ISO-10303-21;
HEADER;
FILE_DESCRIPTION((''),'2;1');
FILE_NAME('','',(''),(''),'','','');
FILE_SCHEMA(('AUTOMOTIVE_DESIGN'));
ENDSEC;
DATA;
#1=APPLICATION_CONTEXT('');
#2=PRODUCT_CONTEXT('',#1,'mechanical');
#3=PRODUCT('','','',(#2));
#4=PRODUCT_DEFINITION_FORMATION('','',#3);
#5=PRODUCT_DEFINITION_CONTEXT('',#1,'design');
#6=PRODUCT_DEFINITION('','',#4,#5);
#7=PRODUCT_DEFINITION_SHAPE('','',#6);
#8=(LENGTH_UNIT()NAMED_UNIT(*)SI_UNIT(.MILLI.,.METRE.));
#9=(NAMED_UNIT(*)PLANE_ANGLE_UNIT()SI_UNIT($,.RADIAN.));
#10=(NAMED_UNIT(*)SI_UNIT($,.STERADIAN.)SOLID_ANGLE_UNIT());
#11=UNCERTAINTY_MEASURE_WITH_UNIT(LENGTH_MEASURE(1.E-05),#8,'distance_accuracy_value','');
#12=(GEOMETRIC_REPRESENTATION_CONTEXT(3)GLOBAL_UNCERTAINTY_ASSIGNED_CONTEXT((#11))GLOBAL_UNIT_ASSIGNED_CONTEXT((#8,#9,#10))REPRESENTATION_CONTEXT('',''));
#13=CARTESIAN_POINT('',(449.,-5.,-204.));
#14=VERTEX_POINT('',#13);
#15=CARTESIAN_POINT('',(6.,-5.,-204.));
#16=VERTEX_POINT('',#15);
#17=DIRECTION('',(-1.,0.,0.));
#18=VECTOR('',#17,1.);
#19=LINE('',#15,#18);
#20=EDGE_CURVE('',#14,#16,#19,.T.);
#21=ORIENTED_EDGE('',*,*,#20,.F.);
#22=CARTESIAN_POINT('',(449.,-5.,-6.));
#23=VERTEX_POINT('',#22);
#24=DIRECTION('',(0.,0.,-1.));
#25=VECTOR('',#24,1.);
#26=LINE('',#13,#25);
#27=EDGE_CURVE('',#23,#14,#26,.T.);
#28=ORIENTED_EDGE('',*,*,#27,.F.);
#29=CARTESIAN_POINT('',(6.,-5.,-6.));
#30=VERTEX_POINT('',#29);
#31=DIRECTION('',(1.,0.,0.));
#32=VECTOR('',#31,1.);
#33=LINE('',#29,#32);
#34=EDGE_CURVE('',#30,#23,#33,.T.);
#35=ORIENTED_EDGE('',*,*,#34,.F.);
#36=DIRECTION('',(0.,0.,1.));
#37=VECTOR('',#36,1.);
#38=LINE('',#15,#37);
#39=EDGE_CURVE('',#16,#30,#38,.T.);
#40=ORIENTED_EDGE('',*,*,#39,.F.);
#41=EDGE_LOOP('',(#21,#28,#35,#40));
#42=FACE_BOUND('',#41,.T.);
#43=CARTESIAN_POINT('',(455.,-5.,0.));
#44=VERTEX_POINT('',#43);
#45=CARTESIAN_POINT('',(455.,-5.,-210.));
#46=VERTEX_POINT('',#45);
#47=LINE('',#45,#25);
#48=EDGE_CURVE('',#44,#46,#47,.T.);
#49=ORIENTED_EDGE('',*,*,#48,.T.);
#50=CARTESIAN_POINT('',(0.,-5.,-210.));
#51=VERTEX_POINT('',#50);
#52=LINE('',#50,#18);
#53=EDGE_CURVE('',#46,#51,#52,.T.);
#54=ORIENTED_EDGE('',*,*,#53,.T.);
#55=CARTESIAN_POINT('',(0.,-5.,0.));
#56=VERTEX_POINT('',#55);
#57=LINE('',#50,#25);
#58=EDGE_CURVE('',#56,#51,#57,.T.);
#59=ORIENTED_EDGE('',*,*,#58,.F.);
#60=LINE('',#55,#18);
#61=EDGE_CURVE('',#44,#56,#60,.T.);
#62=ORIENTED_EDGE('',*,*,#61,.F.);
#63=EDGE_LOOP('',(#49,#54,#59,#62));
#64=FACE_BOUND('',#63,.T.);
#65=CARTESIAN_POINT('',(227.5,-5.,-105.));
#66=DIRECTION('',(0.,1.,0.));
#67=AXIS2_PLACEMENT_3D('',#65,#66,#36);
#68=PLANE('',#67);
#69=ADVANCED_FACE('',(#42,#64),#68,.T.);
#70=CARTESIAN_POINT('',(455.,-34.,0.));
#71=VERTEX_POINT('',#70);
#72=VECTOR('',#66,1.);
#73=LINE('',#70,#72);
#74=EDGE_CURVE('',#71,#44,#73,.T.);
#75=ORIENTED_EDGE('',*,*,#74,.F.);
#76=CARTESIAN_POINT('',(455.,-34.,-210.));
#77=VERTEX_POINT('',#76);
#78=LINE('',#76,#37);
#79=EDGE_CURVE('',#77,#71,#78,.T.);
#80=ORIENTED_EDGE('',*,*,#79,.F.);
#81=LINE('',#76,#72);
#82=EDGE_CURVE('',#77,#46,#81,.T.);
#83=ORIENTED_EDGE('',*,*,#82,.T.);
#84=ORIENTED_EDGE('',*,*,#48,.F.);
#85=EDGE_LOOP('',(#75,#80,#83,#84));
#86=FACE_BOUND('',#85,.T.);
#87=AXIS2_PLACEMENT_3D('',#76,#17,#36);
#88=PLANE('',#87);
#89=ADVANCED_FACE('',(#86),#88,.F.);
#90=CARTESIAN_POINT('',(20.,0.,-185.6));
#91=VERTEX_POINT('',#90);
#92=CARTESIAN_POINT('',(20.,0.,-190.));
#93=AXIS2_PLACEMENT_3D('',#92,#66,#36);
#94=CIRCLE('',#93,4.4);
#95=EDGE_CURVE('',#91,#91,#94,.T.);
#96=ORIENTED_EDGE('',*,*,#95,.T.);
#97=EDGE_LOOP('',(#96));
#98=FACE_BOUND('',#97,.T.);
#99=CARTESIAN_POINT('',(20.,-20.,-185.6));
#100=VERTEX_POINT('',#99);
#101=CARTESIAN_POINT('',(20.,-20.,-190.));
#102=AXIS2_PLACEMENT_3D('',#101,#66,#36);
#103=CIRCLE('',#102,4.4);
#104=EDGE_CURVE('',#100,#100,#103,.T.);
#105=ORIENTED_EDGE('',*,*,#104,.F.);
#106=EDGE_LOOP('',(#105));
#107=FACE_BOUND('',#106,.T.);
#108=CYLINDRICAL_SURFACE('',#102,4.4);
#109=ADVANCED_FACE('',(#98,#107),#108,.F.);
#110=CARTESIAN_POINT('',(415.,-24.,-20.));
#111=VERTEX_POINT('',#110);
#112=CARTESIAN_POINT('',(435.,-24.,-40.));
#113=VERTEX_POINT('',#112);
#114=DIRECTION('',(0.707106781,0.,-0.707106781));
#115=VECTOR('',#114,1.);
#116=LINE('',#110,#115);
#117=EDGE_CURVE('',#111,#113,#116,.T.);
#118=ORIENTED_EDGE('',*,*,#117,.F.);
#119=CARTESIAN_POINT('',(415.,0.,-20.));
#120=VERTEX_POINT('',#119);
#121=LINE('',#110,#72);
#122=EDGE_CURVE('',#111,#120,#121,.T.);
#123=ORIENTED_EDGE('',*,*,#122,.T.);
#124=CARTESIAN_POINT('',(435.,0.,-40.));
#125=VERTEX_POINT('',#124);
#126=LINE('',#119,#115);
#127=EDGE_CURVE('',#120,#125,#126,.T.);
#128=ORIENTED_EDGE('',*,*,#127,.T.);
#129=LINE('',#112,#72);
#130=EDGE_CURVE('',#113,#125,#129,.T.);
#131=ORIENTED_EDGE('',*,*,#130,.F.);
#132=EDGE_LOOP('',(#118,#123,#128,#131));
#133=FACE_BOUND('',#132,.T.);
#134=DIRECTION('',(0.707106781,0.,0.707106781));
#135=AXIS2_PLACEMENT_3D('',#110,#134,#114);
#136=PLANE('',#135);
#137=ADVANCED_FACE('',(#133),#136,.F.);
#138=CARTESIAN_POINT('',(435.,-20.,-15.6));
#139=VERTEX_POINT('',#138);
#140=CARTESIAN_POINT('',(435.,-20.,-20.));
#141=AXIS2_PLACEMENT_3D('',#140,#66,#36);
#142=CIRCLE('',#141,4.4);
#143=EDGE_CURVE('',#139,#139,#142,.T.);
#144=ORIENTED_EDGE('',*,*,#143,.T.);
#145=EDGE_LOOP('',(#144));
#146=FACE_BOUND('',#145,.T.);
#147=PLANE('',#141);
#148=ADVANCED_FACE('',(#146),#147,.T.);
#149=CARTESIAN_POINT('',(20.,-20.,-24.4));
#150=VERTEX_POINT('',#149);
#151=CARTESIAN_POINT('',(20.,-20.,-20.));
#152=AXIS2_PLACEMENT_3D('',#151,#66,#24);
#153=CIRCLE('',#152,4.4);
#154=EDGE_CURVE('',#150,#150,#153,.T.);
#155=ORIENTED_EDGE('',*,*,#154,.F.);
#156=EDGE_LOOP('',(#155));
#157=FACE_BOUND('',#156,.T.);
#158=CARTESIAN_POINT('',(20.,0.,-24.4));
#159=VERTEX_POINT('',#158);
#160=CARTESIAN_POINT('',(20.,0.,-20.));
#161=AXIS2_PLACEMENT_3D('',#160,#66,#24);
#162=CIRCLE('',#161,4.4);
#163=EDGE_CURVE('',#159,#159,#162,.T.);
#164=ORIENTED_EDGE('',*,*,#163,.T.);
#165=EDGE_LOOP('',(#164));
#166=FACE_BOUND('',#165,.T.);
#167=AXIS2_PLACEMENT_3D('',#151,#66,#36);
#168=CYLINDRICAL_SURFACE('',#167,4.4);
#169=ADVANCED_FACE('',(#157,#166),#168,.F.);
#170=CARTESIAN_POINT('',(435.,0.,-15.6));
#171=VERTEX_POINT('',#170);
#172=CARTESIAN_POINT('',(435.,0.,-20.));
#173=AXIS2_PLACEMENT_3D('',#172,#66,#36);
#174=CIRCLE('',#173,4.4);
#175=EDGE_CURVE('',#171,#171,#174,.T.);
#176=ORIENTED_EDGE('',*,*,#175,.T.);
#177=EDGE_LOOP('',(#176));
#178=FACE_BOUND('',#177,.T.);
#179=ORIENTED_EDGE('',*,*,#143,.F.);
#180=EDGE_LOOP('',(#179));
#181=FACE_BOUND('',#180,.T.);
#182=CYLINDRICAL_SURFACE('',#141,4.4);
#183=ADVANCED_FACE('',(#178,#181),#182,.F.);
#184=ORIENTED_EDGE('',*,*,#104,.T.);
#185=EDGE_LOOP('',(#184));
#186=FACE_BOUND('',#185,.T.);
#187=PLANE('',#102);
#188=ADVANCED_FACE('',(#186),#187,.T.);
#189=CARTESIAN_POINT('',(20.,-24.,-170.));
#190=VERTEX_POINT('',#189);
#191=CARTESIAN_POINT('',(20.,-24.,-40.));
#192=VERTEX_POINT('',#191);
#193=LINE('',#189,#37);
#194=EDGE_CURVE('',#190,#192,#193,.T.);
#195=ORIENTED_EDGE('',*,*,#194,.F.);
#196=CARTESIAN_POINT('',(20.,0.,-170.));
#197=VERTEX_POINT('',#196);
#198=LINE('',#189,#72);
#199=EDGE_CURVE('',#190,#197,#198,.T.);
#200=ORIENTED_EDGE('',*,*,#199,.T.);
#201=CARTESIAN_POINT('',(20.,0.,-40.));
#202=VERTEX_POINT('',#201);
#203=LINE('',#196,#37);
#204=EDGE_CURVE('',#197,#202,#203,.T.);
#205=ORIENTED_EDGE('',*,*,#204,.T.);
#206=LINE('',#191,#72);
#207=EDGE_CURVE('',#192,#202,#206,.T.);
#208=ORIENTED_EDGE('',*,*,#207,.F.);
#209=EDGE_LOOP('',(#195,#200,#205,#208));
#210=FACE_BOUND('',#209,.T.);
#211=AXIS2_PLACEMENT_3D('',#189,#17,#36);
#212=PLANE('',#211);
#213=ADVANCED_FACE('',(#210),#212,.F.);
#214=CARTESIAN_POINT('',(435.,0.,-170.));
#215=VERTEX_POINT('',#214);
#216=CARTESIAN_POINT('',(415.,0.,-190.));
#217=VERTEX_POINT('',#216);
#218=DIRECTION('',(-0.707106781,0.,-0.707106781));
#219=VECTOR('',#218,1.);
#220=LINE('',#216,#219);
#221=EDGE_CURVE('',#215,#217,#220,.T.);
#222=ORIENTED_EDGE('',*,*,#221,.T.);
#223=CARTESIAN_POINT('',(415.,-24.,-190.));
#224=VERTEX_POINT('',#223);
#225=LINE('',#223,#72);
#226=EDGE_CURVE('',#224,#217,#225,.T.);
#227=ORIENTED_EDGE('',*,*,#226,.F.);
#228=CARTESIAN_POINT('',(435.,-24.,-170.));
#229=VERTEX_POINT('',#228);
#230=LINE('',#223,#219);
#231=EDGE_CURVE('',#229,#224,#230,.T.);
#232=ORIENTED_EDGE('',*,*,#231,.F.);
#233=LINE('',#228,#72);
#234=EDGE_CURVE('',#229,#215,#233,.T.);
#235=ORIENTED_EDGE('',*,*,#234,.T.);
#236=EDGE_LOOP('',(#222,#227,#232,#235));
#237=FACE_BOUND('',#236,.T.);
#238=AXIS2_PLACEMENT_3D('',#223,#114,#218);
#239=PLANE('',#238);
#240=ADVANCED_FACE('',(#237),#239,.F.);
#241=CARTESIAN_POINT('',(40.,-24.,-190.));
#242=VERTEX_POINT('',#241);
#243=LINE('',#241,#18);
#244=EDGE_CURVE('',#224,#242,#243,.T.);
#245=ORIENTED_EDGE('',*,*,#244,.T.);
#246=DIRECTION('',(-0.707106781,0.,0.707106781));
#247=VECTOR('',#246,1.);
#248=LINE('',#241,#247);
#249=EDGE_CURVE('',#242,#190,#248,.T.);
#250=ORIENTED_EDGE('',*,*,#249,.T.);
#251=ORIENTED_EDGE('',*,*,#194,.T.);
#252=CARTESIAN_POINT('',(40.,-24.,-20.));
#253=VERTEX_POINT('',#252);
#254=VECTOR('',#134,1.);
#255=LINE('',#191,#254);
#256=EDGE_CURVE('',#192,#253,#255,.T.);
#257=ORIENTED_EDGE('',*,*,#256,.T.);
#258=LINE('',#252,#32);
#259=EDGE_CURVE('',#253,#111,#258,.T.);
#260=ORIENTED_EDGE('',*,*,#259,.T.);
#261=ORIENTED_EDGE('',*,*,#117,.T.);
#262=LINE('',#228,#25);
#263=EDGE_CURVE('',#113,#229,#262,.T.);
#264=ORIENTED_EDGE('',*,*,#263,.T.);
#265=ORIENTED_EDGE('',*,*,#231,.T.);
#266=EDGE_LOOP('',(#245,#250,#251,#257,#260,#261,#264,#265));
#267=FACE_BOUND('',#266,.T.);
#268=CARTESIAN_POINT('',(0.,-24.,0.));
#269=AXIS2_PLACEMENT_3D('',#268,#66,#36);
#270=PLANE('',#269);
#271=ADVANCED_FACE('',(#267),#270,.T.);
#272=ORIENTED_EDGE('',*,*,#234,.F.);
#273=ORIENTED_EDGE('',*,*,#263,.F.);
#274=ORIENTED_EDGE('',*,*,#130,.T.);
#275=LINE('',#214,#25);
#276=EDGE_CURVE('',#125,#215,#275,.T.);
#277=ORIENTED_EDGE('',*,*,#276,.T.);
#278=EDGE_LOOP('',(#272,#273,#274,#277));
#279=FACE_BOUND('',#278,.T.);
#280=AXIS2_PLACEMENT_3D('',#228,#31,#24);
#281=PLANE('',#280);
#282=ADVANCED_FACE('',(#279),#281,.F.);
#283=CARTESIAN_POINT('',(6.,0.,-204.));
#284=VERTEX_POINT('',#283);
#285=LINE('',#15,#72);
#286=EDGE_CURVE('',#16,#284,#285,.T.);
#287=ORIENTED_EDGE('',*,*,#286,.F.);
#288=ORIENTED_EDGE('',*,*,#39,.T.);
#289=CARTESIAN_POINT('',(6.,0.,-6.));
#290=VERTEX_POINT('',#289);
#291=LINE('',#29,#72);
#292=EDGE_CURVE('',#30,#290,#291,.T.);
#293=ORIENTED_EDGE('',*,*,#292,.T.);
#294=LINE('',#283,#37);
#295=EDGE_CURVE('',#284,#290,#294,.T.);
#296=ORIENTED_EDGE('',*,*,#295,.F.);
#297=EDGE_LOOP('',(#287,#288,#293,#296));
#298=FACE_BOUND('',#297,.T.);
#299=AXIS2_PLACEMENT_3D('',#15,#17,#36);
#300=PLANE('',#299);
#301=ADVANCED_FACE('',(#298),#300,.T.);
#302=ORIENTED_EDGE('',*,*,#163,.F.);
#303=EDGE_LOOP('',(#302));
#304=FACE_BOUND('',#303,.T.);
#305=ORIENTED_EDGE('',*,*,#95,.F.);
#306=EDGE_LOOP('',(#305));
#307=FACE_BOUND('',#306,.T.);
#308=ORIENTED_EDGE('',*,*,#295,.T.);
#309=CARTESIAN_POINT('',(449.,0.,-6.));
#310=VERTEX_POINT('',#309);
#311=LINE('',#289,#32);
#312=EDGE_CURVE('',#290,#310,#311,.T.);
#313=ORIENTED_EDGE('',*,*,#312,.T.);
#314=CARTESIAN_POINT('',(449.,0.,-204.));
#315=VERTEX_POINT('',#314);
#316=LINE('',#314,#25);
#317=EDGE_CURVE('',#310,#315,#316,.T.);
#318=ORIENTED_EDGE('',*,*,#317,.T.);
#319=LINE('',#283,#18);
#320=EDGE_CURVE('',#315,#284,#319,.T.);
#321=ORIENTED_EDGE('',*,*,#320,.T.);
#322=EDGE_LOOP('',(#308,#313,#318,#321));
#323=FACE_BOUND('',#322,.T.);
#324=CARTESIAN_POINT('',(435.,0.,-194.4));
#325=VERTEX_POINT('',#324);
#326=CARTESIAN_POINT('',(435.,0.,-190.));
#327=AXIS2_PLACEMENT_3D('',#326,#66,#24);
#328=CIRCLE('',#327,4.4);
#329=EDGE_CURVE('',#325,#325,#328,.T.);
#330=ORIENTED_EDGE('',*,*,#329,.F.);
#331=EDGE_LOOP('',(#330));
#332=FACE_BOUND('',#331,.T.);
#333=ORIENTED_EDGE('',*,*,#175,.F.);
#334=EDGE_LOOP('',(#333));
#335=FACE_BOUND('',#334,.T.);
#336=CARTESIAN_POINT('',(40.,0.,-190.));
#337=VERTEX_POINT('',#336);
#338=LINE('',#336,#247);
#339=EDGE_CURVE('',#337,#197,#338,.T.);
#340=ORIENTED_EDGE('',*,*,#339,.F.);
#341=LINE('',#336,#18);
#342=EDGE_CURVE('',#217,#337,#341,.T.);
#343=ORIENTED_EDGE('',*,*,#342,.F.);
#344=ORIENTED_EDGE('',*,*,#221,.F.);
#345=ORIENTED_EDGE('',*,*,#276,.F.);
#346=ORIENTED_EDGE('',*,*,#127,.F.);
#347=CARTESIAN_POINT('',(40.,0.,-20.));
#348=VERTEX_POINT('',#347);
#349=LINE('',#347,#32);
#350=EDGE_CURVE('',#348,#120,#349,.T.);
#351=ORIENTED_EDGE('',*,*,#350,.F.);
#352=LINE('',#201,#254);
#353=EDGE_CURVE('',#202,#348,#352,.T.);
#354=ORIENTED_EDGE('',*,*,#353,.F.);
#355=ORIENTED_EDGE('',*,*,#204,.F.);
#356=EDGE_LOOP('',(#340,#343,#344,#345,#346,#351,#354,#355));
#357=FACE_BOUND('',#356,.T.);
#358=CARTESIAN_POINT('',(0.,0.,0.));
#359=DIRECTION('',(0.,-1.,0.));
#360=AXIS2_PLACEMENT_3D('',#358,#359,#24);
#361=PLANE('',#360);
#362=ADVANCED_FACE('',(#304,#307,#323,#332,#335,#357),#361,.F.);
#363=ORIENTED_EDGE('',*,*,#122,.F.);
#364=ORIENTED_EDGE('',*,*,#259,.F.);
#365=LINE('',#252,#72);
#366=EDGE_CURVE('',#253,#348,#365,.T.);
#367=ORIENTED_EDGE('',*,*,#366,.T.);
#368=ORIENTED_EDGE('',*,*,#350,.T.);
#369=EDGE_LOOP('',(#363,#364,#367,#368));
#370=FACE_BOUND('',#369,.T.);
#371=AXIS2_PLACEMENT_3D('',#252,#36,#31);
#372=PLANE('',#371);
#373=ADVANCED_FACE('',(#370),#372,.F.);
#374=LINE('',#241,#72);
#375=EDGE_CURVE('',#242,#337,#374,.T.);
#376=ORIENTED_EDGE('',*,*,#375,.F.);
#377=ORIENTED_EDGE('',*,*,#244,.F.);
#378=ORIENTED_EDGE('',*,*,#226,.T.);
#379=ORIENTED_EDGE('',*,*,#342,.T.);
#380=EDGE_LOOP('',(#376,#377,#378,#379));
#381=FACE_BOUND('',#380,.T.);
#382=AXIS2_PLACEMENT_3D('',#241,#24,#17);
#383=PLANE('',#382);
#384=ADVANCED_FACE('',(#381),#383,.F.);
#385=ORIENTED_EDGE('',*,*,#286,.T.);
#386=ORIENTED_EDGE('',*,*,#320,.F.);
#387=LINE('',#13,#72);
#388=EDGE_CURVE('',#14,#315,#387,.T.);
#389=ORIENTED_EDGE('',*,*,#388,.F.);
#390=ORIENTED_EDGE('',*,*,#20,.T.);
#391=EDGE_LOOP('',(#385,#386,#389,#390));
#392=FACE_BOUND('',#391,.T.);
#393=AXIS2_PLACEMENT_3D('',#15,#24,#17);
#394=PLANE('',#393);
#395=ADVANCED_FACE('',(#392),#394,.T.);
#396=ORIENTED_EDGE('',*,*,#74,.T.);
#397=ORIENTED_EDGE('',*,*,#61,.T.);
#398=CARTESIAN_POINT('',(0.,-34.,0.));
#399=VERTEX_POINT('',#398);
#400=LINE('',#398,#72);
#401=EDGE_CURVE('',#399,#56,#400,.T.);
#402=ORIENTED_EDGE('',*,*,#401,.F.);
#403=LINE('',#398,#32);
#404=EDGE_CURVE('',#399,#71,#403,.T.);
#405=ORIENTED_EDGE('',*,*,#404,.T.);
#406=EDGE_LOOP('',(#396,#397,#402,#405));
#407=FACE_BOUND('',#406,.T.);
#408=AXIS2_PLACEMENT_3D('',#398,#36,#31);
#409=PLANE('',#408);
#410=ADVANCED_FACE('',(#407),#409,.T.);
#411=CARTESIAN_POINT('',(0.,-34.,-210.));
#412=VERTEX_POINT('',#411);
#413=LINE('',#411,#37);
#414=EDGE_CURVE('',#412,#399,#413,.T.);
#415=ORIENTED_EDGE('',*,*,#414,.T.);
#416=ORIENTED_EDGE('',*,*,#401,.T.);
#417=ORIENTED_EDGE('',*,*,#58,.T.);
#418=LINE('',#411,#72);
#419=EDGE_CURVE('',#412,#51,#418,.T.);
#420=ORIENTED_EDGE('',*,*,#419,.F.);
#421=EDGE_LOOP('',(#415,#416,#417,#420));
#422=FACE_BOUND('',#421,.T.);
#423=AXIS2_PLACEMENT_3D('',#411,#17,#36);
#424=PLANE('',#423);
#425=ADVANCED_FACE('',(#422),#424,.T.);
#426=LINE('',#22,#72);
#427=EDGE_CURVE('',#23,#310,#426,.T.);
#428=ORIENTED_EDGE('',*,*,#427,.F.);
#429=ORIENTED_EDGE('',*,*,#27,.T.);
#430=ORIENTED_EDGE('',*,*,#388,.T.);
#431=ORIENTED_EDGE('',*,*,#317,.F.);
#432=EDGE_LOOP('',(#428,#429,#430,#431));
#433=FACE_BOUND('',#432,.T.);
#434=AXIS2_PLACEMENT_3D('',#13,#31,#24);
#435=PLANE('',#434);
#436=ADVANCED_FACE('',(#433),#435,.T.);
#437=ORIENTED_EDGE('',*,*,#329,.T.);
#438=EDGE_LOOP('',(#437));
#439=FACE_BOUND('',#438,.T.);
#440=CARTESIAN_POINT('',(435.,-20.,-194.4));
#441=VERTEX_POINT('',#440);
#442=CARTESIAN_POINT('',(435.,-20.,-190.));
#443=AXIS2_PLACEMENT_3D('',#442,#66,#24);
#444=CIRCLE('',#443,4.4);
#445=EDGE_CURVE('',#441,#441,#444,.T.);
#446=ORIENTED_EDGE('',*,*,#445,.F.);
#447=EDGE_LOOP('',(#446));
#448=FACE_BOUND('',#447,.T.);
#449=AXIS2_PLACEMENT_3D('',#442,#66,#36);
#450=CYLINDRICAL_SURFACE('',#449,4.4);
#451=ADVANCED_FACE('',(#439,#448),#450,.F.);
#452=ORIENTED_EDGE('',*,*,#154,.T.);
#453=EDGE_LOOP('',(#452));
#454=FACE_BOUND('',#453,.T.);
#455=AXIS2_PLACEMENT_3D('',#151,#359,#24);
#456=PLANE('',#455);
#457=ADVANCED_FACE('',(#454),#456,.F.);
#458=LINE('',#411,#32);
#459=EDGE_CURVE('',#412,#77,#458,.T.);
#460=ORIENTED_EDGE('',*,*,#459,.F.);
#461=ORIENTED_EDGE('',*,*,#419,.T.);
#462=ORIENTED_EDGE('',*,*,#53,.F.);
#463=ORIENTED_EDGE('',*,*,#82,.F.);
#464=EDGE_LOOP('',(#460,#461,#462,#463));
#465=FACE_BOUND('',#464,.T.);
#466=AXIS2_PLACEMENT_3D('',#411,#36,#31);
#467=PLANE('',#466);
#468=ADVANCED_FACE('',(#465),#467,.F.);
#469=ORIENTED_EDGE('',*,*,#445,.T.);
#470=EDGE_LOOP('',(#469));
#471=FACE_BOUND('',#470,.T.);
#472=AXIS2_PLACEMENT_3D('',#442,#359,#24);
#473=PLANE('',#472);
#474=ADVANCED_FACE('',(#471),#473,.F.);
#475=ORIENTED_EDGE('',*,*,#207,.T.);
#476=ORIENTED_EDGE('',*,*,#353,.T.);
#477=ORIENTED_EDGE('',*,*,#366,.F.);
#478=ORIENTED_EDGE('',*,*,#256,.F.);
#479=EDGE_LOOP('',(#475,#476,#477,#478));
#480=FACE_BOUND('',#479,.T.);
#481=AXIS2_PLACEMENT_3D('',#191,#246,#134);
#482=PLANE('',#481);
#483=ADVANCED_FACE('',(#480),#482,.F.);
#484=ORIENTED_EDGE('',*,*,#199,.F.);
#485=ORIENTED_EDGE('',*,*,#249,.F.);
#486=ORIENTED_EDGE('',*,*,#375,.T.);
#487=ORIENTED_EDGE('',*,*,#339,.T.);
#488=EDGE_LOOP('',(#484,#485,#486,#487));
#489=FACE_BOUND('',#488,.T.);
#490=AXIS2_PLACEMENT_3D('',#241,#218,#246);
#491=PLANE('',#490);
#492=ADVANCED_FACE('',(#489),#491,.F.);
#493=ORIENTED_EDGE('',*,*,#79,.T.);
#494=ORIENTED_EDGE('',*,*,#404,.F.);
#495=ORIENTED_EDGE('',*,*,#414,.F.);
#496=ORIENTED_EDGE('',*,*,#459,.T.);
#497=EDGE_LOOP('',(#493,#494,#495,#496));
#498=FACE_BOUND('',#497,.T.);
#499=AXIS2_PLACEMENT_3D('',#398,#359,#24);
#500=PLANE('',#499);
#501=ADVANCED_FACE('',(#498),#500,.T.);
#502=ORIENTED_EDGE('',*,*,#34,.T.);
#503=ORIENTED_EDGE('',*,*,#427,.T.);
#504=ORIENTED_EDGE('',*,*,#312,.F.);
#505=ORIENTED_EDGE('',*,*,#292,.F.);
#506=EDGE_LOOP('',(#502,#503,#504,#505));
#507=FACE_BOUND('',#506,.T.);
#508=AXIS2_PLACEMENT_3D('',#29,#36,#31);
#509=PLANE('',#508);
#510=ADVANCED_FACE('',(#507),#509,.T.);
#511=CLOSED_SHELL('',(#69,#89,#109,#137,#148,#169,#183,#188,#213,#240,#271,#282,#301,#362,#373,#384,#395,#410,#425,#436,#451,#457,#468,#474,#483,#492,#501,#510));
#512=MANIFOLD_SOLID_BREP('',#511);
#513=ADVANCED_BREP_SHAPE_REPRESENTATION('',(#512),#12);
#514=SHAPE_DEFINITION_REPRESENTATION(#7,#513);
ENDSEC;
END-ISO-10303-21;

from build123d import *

# Parameters (mm, degrees)
SLABSKETCH_W            = 455
SLABSKETCH_H            = 210
SLAB_DEPTH              = 34
CUT_DEPTH               = 24
DIVOTSKETCH_OUTSIDE_W   = 557.456
DIVOTSKETCH_OUTSIDE_H   = 312.456
DIVOTSKETCH_OUTSIDE_W_2 = 443
DIVOTSKETCH_OUTSIDE_H_2 = 198
DIVOT_DEPTH             = 5
PILOTHOLESSKETCH_R      = 4.4
PILOTHOLES_DEPTH        = 20


with BuildPart() as part:
    # slabSketch → slab (new body)
    with BuildSketch(Plane(origin=(0, 0, 0), x_dir=(1, 0, 0), z_dir=(0, 1, 0))):
        with Locations((227.5, 105)):
            Rectangle(SLABSKETCH_W, SLABSKETCH_H)
    extrude(amount=-SLAB_DEPTH)

    # cutSketch → cut (cut)
    with BuildSketch(Plane(origin=(0, 0, 0), x_dir=(1, 0, 0), z_dir=(0, 1, 0))):
        Polygon((40, 190), (20, 170), (20, 40), (40, 20), (415, 20), (435, 40), (435, 170), (415, 190), align=None)
    extrude(amount=-CUT_DEPTH, mode=Mode.SUBTRACT)

    # divotSketch outside → divot (cut)
    with BuildSketch(Plane(origin=(0, 0, 0), x_dir=(1, 0, 0), z_dir=(0, 1, 0))):
        with Locations((227.5, 105)):
            Rectangle(DIVOTSKETCH_OUTSIDE_W, DIVOTSKETCH_OUTSIDE_H)
        with Locations((227.5, 105)):
            Rectangle(DIVOTSKETCH_OUTSIDE_W_2, DIVOTSKETCH_OUTSIDE_H_2, mode=Mode.SUBTRACT)
    extrude(amount=-DIVOT_DEPTH, mode=Mode.SUBTRACT)

    # pilotholesSketch → pilotholes (cut)
    with BuildSketch(Plane(origin=(0, 0, 0), x_dir=(1, 0, 0), z_dir=(0, 1, 0))):
        with Locations((20, 190)):
            Circle(PILOTHOLESSKETCH_R)
        with Locations((435, 190)):
            Circle(PILOTHOLESSKETCH_R)
        with Locations((435, 20)):
            Circle(PILOTHOLESSKETCH_R)
        with Locations((20, 20)):
            Circle(PILOTHOLESSKETCH_R)
    extrude(amount=-PILOTHOLES_DEPTH, mode=Mode.SUBTRACT)


solid = part.part
